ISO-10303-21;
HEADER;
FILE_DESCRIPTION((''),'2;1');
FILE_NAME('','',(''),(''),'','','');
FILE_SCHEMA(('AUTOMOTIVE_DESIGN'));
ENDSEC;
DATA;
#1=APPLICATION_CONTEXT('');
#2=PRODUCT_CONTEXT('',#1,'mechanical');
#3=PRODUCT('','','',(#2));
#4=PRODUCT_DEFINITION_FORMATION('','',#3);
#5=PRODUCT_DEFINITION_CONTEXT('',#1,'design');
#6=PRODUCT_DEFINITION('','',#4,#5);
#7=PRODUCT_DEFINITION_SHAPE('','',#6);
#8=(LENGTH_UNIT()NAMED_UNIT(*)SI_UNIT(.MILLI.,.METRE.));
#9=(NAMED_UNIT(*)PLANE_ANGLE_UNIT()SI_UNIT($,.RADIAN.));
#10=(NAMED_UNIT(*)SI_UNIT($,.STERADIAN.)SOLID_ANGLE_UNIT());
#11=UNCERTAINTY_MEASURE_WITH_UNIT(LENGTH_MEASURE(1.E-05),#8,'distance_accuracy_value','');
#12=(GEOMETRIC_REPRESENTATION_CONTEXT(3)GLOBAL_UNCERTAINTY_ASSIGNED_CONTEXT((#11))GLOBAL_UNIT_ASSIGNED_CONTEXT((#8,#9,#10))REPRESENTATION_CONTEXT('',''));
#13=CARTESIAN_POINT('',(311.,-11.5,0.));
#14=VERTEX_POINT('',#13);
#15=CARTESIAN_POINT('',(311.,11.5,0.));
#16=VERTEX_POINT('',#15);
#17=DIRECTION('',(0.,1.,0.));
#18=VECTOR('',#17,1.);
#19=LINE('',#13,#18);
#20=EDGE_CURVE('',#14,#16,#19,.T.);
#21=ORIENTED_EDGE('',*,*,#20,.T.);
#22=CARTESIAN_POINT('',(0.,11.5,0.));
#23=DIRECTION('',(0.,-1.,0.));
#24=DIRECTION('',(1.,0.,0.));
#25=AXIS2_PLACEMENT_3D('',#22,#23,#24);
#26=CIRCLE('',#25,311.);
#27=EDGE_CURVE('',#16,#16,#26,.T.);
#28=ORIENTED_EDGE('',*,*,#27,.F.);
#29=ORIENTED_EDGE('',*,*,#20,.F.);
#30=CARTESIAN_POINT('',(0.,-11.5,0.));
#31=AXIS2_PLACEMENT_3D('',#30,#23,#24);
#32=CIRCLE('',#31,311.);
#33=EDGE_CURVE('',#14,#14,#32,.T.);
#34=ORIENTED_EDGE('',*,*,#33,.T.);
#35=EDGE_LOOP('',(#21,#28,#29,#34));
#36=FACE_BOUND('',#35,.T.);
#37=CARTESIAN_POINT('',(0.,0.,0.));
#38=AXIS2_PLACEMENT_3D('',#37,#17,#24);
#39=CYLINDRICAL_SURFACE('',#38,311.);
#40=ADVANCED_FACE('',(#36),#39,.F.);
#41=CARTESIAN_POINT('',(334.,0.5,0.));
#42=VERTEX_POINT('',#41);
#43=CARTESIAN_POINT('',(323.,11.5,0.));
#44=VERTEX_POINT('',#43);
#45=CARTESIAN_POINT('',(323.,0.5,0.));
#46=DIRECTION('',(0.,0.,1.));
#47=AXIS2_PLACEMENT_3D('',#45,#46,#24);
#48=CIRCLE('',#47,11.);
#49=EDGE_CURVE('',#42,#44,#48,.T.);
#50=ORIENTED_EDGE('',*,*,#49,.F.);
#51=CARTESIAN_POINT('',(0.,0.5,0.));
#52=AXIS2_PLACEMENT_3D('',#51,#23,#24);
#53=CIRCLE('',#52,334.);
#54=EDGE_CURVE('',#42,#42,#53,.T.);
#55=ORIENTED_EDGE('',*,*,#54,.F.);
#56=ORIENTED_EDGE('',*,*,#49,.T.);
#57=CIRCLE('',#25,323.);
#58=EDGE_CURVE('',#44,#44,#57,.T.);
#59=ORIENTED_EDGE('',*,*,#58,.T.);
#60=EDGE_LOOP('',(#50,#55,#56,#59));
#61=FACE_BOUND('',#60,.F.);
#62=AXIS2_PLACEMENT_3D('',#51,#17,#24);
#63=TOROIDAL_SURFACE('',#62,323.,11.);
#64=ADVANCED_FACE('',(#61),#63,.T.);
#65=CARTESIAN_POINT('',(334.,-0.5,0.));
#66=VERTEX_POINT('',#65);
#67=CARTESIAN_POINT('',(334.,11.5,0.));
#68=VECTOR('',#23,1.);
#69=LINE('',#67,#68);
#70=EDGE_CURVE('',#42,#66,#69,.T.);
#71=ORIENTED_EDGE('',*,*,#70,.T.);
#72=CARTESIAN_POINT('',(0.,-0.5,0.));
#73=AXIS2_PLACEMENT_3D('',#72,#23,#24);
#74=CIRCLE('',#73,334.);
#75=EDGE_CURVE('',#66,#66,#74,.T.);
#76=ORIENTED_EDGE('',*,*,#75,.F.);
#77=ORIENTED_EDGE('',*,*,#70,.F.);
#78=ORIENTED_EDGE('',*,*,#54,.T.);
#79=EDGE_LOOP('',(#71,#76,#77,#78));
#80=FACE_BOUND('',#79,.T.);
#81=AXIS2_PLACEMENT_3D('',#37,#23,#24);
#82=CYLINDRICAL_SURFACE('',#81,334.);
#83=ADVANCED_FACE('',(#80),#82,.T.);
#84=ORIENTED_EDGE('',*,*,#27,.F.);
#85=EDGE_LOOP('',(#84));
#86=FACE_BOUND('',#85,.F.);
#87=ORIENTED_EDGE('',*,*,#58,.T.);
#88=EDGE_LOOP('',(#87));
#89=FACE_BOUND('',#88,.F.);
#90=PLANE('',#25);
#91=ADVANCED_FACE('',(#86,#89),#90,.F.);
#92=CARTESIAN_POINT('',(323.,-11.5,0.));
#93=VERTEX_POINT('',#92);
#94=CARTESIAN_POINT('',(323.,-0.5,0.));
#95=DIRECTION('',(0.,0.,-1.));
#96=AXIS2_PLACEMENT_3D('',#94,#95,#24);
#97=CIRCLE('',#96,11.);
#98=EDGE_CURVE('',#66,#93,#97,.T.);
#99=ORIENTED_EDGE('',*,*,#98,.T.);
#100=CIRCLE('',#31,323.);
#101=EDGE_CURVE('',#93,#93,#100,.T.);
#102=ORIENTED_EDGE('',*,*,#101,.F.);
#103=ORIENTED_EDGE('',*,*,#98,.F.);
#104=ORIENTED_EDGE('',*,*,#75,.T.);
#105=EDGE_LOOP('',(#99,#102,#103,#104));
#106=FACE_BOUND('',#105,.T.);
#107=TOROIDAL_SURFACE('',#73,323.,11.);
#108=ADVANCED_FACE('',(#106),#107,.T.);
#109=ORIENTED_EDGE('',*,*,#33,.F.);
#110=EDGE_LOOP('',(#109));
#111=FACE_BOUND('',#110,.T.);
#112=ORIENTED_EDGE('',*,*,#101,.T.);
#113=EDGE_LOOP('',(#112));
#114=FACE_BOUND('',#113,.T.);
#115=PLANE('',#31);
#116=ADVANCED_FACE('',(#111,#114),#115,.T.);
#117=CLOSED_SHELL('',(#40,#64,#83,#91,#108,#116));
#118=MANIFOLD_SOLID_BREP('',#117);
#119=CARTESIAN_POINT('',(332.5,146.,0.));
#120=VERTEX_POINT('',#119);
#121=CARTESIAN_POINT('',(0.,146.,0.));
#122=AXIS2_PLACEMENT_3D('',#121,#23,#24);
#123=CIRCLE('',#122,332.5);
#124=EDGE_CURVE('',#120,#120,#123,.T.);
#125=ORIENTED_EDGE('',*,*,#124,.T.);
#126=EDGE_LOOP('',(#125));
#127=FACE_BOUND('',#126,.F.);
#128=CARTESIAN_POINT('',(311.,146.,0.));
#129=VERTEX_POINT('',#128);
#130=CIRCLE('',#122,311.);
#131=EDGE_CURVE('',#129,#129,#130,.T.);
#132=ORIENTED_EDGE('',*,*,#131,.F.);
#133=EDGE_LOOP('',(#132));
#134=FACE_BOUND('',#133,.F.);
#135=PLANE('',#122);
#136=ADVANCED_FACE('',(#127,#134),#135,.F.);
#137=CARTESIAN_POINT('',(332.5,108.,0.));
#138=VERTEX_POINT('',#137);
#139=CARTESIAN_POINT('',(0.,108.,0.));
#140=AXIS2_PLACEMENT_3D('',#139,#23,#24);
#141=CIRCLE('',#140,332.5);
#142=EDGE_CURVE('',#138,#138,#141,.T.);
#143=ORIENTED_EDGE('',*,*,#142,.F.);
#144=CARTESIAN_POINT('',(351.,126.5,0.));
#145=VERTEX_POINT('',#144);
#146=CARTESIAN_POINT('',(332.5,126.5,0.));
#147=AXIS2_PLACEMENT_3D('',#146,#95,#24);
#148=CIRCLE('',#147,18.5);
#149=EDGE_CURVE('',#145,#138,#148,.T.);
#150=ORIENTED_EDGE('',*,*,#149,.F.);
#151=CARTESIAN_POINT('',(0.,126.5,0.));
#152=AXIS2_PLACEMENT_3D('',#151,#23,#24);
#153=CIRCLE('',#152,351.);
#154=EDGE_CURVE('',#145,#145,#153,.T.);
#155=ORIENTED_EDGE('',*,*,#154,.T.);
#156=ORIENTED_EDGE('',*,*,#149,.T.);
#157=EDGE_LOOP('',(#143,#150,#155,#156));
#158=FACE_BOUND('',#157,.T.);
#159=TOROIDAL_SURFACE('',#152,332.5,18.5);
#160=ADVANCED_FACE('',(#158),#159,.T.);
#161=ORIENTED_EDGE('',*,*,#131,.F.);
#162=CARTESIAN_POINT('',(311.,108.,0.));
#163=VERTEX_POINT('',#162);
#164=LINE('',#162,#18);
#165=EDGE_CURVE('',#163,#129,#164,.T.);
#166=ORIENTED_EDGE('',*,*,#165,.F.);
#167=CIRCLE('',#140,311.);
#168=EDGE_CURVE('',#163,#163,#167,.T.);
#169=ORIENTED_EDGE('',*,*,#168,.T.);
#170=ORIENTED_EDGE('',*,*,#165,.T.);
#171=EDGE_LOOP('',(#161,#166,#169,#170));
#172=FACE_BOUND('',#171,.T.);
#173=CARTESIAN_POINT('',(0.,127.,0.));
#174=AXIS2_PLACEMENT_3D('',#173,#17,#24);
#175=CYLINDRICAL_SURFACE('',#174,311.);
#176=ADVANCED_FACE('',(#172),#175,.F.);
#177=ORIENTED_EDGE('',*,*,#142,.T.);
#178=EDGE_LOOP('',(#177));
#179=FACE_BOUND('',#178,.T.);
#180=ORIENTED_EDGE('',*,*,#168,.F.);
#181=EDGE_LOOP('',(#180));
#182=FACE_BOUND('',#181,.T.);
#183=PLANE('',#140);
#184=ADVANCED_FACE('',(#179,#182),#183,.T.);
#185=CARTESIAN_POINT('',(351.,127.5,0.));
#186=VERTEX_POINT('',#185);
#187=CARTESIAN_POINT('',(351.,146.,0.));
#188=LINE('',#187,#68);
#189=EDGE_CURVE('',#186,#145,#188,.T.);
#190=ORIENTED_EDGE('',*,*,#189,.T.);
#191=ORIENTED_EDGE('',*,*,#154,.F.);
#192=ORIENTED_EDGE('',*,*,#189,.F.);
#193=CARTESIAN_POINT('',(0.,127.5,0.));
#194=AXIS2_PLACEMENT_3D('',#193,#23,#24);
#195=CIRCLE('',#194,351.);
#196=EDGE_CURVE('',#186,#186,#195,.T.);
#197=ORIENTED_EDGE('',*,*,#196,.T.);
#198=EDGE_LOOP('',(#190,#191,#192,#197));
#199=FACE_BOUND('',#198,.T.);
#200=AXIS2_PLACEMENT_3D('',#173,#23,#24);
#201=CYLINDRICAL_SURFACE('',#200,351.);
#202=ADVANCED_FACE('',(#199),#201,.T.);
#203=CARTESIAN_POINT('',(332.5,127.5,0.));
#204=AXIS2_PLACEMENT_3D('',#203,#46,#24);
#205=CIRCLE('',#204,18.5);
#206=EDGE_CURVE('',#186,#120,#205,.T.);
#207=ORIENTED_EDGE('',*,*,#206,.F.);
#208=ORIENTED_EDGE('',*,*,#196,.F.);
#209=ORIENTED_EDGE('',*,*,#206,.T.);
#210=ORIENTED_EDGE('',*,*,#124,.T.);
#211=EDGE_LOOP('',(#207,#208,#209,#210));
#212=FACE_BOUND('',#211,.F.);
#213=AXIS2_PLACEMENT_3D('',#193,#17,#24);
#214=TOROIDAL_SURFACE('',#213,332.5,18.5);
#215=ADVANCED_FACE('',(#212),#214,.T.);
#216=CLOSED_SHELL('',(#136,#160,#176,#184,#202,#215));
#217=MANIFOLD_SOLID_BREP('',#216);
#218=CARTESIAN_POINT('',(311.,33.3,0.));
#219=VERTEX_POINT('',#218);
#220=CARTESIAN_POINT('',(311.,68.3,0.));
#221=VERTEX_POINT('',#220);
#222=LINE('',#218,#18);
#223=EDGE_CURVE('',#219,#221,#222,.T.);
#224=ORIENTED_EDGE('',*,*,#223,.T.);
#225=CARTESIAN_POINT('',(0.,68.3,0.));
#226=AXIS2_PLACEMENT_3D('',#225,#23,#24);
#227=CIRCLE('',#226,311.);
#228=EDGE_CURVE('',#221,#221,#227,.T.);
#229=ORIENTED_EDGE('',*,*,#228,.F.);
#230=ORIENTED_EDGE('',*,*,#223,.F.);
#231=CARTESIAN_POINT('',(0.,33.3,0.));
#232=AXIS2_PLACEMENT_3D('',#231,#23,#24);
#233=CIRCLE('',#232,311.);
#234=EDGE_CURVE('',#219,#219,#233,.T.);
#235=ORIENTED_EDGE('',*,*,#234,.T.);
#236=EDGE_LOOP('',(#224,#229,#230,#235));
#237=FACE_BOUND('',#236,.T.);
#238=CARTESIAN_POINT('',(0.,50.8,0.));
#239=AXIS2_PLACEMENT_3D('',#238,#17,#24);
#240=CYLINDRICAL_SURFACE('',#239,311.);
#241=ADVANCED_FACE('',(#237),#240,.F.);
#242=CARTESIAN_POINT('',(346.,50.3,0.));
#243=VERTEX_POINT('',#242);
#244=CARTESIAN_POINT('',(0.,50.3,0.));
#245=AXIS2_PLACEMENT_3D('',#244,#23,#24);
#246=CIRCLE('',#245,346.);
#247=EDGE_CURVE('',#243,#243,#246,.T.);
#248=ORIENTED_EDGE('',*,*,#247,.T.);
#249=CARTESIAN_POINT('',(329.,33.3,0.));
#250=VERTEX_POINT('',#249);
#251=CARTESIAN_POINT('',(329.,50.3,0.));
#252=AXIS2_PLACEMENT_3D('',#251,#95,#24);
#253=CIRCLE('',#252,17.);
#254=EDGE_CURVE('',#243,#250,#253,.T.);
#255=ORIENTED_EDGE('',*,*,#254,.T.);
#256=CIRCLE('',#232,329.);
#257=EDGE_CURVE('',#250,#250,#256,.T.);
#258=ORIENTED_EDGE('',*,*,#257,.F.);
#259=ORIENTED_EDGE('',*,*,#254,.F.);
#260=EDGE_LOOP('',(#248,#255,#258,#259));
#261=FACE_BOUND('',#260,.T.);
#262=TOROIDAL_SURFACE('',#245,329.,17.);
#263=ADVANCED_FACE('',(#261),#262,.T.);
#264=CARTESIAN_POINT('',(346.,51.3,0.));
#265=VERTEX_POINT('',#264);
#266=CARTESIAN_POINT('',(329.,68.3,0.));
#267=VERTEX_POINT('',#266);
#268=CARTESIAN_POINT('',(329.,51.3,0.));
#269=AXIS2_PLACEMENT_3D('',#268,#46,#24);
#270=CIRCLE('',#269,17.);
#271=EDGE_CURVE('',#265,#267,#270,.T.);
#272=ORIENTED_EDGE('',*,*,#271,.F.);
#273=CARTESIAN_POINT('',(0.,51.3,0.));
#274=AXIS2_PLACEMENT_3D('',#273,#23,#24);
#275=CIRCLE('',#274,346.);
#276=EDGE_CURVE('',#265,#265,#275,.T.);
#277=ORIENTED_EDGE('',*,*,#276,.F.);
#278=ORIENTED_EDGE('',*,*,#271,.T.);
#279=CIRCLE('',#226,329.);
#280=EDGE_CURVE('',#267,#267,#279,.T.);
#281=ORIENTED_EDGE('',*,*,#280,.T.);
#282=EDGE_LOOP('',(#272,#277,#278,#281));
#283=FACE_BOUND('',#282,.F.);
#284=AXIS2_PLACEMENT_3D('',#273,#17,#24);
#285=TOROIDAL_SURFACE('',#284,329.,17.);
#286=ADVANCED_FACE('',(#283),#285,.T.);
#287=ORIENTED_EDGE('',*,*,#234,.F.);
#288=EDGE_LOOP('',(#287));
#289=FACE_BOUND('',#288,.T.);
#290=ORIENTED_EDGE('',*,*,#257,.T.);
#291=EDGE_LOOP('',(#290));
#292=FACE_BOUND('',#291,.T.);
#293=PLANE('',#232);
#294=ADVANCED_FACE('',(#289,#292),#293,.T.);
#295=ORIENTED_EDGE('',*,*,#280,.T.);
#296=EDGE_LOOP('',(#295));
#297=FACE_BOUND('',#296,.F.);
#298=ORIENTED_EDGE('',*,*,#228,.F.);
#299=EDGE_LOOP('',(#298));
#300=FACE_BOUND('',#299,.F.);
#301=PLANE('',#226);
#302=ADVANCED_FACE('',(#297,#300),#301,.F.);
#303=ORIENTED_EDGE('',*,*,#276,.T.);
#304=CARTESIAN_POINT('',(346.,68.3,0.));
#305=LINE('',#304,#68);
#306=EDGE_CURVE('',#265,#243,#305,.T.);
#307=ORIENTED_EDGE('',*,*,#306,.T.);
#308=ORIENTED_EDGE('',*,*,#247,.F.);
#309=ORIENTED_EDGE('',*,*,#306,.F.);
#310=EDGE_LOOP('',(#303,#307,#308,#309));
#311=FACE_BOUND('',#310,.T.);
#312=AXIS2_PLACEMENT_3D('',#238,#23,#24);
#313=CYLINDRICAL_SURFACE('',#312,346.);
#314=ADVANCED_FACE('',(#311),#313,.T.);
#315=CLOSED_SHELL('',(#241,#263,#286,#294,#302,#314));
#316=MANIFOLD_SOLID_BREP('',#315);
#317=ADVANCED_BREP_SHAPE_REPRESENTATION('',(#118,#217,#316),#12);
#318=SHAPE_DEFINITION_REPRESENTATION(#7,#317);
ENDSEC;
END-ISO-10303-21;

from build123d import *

# Parameters (mm, degrees)
F0_R     = 334
F0_R_2   = 311
F1_DEPTH = 11.5
F2_R     = 11
F4_R     = 346
F4_R_2   = 311
F5_DEPTH = 17.5
F6_R     = 17
F8_R     = 351
F8_R_2   = 311
F9_DEPTH = 19
F10_R    = 18.5


with BuildPart() as f1:
    # F0 (on Front) → F1 (new body, symmetric)
    with BuildSketch(Plane.XZ):
        Circle(F0_R)
        Circle(F0_R_2, mode=Mode.SUBTRACT)
    extrude(amount=F1_DEPTH, both=True)

    # F2
    f2_edges = [f1.edges().sort_by_distance(p)[0] for p in [
        (-334, -11.5, 0),
        (-334, 11.5, 0),
    ]]
    fillet(f2_edges, radius=F2_R)


with BuildPart() as f5:
    # F4 (on offset) → F5 (new body, symmetric)
    with BuildSketch(Plane.XZ.offset(-50.8)):
        Circle(F4_R)
        Circle(F4_R_2, mode=Mode.SUBTRACT)
    extrude(amount=F5_DEPTH, both=True)

    # F6
    f6_edges = [f5.edges().sort_by_distance(p)[0] for p in [
        (-346, 33.3, 0),
        (-346, 68.3, 0),
    ]]
    fillet(f6_edges, radius=F6_R)


with BuildPart() as f9:
    # F8 (on offset) → F9 (new body, symmetric)
    with BuildSketch(Plane.XZ.offset(-127)):
        Circle(F8_R)
        Circle(F8_R_2, mode=Mode.SUBTRACT)
    extrude(amount=F9_DEPTH, both=True)

    # F10
    f10_edges = [f9.edges().sort_by_distance(p)[0] for p in [
        (-351, 108, 0),
        (-351, 146, 0),
    ]]
    fillet(f10_edges, radius=F10_R)


solid = Compound([f1.part, f5.part, f9.part])
